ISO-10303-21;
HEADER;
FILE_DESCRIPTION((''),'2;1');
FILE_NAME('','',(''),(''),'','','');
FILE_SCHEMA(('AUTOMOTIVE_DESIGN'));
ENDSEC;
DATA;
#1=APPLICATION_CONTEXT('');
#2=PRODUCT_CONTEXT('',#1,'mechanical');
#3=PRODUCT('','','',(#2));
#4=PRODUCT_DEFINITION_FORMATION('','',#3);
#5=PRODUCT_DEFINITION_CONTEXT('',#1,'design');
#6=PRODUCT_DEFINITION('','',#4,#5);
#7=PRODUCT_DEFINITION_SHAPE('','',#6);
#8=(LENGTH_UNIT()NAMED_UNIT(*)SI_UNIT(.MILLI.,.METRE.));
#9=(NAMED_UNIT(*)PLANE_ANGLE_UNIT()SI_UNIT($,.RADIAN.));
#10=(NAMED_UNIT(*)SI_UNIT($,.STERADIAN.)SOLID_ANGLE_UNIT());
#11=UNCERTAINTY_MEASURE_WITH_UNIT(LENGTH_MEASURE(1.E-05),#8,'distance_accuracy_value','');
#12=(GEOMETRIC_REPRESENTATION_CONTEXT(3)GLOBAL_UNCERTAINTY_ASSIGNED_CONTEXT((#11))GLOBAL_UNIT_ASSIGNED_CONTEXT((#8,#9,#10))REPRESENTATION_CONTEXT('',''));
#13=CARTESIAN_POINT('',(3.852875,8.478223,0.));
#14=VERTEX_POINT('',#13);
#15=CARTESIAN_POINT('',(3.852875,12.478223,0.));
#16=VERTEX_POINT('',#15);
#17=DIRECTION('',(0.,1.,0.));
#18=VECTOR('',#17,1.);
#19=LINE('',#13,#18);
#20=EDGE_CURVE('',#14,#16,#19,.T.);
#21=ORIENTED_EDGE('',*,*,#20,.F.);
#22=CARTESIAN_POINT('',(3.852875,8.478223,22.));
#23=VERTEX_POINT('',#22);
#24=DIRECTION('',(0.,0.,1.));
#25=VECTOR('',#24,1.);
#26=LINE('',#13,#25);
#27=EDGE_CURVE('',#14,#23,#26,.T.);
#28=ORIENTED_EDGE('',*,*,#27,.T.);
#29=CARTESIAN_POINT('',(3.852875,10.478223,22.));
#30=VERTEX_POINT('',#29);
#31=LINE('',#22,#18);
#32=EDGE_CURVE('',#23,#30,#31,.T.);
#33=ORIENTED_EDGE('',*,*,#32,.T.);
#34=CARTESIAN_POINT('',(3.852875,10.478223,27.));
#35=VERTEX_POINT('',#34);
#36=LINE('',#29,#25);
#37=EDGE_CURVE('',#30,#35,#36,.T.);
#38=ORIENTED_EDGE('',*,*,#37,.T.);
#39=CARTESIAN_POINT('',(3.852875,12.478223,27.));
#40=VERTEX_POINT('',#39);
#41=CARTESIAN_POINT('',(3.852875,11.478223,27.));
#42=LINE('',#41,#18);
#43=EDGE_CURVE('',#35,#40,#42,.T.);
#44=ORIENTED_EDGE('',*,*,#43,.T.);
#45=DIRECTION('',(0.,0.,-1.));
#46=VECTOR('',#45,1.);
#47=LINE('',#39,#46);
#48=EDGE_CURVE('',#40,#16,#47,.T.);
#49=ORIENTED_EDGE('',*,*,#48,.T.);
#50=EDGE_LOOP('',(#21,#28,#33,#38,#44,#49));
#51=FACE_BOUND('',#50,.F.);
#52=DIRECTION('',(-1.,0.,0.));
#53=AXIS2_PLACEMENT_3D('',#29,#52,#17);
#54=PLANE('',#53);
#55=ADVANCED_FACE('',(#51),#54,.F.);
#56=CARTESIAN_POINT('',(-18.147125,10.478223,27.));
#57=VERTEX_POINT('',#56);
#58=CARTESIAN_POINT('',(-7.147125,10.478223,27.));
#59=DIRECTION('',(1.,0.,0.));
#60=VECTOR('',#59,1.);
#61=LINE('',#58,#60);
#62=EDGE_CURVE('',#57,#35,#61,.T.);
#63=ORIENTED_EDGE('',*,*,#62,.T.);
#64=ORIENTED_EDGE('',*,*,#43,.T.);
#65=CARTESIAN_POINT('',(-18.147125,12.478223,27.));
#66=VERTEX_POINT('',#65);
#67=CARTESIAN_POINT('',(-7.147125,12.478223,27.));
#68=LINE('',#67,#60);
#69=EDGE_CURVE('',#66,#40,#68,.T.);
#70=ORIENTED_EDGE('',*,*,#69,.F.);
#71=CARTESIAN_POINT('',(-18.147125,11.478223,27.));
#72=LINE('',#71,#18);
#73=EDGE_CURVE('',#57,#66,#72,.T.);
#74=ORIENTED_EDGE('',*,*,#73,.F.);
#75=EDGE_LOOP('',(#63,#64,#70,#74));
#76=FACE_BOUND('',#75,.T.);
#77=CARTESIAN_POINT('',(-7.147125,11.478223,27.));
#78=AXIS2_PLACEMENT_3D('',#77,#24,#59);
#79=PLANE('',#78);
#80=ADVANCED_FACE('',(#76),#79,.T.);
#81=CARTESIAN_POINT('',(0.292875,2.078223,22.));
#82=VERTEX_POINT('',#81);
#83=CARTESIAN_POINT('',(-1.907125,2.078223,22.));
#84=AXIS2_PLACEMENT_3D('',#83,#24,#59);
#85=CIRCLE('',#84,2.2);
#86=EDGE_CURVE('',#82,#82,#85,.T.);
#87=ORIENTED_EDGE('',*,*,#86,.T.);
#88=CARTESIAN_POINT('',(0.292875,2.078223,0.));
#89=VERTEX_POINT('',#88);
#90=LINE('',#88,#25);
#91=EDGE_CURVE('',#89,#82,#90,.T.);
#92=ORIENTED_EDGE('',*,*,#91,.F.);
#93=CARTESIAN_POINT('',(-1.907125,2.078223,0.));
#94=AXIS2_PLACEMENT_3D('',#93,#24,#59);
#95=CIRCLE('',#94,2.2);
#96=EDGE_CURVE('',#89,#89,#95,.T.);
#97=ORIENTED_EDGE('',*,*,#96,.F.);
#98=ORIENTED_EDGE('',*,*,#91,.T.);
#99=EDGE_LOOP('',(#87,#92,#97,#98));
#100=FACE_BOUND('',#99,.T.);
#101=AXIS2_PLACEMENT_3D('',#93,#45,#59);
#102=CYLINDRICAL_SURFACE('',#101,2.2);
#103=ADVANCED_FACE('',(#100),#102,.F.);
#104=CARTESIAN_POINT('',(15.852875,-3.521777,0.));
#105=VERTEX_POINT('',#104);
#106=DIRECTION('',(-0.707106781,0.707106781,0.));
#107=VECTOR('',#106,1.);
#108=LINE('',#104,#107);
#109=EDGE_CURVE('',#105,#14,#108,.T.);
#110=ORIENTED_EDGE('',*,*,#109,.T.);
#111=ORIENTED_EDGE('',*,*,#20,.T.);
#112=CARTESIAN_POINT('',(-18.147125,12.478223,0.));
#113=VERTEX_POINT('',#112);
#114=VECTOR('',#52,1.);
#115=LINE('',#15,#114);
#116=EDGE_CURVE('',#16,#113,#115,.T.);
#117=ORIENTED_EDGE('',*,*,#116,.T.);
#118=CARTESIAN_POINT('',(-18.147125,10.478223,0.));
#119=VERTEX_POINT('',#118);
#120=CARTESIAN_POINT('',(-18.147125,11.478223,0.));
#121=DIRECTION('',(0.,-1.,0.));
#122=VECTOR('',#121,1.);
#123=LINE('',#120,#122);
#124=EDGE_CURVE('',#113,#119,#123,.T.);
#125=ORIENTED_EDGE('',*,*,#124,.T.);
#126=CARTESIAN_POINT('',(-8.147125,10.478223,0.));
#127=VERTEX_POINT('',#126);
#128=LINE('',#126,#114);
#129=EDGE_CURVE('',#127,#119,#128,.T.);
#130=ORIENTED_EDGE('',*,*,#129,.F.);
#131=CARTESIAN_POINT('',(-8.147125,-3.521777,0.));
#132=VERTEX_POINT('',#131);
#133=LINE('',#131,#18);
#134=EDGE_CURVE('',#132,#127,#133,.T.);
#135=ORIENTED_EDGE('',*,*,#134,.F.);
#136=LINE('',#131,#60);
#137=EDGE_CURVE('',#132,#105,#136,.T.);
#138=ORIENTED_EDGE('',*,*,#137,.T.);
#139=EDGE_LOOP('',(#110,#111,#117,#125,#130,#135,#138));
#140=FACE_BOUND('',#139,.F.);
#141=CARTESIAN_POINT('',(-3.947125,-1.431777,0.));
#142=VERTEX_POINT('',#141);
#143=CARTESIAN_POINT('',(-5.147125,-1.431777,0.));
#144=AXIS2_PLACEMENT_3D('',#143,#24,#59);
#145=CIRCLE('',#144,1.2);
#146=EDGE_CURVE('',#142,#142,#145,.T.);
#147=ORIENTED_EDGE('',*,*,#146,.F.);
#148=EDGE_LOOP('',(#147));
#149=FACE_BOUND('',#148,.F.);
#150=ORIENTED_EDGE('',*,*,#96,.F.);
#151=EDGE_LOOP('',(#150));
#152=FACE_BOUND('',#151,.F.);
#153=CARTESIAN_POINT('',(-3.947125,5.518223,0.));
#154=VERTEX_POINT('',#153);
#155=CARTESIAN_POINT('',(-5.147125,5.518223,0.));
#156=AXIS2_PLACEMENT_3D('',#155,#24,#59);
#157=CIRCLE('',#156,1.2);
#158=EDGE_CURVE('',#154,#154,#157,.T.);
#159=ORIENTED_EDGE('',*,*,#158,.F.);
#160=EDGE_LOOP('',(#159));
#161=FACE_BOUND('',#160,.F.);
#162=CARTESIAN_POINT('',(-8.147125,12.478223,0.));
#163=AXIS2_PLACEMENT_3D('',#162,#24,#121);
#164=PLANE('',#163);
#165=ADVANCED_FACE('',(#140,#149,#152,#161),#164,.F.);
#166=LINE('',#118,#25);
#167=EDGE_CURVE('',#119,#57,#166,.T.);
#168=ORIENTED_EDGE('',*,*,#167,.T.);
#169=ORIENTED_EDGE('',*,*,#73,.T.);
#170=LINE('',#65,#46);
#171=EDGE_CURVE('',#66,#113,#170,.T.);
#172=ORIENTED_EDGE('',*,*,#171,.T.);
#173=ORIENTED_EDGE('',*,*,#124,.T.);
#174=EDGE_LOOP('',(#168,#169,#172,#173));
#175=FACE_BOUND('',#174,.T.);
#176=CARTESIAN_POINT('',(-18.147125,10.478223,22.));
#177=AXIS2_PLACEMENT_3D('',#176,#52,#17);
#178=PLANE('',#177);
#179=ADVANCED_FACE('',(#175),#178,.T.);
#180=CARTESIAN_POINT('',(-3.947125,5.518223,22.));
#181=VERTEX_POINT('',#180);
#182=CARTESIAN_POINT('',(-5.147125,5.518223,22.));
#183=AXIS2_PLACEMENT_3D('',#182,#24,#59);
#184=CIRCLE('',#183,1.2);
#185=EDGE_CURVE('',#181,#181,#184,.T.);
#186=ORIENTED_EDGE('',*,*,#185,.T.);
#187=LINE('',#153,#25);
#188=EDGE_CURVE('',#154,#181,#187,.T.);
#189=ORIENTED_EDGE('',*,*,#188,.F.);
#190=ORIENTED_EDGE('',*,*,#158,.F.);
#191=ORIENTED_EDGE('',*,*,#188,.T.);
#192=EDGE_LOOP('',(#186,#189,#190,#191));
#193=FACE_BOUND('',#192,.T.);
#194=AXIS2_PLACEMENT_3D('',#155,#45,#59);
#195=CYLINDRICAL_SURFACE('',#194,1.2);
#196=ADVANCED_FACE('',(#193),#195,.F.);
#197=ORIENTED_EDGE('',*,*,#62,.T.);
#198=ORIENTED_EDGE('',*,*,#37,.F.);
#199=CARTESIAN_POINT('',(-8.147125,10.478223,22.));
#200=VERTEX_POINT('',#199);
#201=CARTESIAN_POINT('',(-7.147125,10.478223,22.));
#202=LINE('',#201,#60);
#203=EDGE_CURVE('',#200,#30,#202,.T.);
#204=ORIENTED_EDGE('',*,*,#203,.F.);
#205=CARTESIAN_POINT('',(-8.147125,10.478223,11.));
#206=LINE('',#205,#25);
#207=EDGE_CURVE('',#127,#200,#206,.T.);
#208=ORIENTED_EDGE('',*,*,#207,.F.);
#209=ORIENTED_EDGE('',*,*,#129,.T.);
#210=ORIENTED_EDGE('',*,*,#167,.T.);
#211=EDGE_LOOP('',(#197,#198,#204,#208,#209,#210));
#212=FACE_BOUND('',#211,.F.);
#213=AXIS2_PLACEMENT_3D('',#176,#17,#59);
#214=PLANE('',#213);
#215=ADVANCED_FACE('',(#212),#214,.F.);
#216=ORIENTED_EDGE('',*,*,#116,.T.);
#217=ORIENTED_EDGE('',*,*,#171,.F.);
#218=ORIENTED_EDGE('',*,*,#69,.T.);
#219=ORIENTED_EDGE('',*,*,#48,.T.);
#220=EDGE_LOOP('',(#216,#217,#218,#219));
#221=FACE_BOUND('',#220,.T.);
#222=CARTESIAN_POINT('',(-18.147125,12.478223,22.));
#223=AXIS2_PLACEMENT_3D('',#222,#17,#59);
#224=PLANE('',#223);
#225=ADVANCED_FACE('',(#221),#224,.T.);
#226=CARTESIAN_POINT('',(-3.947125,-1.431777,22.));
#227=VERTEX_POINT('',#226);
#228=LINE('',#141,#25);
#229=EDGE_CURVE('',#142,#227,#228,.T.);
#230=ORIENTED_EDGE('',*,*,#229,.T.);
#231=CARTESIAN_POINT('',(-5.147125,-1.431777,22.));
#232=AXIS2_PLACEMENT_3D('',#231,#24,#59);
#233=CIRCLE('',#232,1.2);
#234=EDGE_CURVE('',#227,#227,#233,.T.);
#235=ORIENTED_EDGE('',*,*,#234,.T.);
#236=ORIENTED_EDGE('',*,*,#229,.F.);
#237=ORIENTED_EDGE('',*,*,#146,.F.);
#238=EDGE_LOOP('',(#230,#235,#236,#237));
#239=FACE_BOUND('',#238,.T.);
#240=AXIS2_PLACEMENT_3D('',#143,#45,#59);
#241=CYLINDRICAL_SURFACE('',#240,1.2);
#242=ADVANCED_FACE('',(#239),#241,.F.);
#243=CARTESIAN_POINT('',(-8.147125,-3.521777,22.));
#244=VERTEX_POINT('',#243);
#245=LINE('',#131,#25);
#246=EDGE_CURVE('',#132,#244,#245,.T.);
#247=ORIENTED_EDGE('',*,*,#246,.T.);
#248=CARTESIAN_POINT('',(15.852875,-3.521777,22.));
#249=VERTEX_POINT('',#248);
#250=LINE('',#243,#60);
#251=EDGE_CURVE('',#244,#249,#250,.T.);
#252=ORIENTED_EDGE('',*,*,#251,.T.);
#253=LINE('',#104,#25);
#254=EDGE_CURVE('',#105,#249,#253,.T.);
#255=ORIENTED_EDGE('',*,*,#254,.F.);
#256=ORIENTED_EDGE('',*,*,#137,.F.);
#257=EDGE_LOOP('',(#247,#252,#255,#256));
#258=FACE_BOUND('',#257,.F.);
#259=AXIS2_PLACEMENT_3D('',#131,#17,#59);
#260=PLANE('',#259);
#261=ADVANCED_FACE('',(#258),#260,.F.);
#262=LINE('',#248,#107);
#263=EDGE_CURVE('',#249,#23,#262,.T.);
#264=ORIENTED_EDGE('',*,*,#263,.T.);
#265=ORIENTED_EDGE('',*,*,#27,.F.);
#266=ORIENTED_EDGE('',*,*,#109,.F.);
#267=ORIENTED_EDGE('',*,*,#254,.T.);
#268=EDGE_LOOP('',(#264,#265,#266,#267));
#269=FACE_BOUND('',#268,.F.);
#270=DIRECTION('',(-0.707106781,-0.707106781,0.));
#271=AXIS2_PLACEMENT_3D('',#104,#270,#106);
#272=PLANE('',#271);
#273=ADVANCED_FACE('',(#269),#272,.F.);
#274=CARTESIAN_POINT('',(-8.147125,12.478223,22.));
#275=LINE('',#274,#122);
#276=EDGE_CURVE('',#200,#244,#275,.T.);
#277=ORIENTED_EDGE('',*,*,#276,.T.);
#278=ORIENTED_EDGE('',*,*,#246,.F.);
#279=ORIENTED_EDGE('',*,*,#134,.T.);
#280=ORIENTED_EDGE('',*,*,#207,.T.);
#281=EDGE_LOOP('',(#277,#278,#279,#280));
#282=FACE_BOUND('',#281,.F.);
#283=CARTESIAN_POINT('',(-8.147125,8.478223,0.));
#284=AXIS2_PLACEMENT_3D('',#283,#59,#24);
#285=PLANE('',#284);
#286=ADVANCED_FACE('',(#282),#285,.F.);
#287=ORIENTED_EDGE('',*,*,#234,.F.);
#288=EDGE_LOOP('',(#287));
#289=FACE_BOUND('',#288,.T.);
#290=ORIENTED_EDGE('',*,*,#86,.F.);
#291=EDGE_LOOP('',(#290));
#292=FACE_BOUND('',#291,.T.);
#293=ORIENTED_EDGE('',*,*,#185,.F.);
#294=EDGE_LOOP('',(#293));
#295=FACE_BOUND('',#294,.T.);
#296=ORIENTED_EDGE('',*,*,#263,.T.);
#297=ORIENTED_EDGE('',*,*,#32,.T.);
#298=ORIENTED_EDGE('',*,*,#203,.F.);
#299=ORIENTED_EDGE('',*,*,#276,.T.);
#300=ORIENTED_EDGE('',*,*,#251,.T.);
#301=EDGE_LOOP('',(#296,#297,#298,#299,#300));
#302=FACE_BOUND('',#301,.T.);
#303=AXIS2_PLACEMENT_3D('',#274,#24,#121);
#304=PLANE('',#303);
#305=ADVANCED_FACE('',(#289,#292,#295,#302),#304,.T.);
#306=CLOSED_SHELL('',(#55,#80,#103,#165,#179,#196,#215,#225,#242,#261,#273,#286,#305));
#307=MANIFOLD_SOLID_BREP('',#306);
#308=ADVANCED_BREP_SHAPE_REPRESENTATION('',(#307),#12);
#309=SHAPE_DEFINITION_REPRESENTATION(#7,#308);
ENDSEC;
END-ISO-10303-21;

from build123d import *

# Parameters (mm, degrees)
SKETCH_R     = 1.2
SKETCH_R_2   = 2.2
PAD_DEPTH    = 22
SKETCH001_W  = 12
SKETCH001_H  = 22
PAD001_DEPTH = 4
SKETCH002_W  = 2
SKETCH002_H  = 22
PAD002_DEPTH = 10
SKETCH003_W  = 22
SKETCH003_H  = 2
PAD003_DEPTH = 5


with BuildPart() as part:
    # Sketch → Pad (new body)
    with BuildSketch(Plane.XY):
        Polygon((3.852875, 8.478223), (-8.147125, 8.478223), (-8.147125, -3.521777), (15.852875, -3.521777), align=None)
        with Locations((-5.147125, 5.518223)):
            Circle(SKETCH_R, mode=Mode.SUBTRACT)
        with Locations((-5.147125, -1.431777)):
            Circle(SKETCH_R, mode=Mode.SUBTRACT)
        with Locations((-1.907125, 2.078223)):
            Circle(SKETCH_R_2, mode=Mode.SUBTRACT)
    extrude(amount=PAD_DEPTH)

    # Sketch001 (on Face1 of Pad) → Pad001 (join)
    with BuildSketch(Plane(origin=(0, 8.478223, 0), x_dir=(-1, 0, 0), z_dir=(0, 1, 0))):
        with Locations((2.147125, 11)):
            Rectangle(SKETCH001_W, SKETCH001_H)
    extrude(amount=PAD001_DEPTH)

    # Sketch002 (on Face2 of Pad001) → Pad002 (join)
    with BuildSketch(Plane(origin=(-8.147125, 0, 0), x_dir=(0, -1, 0), z_dir=(-1, 0, 0))):
        with Locations((-11.478223, 11)):
            Rectangle(SKETCH002_W, SKETCH002_H)
    extrude(amount=PAD002_DEPTH)

    # Sketch003 (on Face8 of Pad002) → Pad003 (join)
    with BuildSketch(Plane.XY.offset(22)):
        with Locations((-7.147125, 11.478223)):
            Rectangle(SKETCH003_W, SKETCH003_H)
    extrude(amount=PAD003_DEPTH)


solid = part.part
